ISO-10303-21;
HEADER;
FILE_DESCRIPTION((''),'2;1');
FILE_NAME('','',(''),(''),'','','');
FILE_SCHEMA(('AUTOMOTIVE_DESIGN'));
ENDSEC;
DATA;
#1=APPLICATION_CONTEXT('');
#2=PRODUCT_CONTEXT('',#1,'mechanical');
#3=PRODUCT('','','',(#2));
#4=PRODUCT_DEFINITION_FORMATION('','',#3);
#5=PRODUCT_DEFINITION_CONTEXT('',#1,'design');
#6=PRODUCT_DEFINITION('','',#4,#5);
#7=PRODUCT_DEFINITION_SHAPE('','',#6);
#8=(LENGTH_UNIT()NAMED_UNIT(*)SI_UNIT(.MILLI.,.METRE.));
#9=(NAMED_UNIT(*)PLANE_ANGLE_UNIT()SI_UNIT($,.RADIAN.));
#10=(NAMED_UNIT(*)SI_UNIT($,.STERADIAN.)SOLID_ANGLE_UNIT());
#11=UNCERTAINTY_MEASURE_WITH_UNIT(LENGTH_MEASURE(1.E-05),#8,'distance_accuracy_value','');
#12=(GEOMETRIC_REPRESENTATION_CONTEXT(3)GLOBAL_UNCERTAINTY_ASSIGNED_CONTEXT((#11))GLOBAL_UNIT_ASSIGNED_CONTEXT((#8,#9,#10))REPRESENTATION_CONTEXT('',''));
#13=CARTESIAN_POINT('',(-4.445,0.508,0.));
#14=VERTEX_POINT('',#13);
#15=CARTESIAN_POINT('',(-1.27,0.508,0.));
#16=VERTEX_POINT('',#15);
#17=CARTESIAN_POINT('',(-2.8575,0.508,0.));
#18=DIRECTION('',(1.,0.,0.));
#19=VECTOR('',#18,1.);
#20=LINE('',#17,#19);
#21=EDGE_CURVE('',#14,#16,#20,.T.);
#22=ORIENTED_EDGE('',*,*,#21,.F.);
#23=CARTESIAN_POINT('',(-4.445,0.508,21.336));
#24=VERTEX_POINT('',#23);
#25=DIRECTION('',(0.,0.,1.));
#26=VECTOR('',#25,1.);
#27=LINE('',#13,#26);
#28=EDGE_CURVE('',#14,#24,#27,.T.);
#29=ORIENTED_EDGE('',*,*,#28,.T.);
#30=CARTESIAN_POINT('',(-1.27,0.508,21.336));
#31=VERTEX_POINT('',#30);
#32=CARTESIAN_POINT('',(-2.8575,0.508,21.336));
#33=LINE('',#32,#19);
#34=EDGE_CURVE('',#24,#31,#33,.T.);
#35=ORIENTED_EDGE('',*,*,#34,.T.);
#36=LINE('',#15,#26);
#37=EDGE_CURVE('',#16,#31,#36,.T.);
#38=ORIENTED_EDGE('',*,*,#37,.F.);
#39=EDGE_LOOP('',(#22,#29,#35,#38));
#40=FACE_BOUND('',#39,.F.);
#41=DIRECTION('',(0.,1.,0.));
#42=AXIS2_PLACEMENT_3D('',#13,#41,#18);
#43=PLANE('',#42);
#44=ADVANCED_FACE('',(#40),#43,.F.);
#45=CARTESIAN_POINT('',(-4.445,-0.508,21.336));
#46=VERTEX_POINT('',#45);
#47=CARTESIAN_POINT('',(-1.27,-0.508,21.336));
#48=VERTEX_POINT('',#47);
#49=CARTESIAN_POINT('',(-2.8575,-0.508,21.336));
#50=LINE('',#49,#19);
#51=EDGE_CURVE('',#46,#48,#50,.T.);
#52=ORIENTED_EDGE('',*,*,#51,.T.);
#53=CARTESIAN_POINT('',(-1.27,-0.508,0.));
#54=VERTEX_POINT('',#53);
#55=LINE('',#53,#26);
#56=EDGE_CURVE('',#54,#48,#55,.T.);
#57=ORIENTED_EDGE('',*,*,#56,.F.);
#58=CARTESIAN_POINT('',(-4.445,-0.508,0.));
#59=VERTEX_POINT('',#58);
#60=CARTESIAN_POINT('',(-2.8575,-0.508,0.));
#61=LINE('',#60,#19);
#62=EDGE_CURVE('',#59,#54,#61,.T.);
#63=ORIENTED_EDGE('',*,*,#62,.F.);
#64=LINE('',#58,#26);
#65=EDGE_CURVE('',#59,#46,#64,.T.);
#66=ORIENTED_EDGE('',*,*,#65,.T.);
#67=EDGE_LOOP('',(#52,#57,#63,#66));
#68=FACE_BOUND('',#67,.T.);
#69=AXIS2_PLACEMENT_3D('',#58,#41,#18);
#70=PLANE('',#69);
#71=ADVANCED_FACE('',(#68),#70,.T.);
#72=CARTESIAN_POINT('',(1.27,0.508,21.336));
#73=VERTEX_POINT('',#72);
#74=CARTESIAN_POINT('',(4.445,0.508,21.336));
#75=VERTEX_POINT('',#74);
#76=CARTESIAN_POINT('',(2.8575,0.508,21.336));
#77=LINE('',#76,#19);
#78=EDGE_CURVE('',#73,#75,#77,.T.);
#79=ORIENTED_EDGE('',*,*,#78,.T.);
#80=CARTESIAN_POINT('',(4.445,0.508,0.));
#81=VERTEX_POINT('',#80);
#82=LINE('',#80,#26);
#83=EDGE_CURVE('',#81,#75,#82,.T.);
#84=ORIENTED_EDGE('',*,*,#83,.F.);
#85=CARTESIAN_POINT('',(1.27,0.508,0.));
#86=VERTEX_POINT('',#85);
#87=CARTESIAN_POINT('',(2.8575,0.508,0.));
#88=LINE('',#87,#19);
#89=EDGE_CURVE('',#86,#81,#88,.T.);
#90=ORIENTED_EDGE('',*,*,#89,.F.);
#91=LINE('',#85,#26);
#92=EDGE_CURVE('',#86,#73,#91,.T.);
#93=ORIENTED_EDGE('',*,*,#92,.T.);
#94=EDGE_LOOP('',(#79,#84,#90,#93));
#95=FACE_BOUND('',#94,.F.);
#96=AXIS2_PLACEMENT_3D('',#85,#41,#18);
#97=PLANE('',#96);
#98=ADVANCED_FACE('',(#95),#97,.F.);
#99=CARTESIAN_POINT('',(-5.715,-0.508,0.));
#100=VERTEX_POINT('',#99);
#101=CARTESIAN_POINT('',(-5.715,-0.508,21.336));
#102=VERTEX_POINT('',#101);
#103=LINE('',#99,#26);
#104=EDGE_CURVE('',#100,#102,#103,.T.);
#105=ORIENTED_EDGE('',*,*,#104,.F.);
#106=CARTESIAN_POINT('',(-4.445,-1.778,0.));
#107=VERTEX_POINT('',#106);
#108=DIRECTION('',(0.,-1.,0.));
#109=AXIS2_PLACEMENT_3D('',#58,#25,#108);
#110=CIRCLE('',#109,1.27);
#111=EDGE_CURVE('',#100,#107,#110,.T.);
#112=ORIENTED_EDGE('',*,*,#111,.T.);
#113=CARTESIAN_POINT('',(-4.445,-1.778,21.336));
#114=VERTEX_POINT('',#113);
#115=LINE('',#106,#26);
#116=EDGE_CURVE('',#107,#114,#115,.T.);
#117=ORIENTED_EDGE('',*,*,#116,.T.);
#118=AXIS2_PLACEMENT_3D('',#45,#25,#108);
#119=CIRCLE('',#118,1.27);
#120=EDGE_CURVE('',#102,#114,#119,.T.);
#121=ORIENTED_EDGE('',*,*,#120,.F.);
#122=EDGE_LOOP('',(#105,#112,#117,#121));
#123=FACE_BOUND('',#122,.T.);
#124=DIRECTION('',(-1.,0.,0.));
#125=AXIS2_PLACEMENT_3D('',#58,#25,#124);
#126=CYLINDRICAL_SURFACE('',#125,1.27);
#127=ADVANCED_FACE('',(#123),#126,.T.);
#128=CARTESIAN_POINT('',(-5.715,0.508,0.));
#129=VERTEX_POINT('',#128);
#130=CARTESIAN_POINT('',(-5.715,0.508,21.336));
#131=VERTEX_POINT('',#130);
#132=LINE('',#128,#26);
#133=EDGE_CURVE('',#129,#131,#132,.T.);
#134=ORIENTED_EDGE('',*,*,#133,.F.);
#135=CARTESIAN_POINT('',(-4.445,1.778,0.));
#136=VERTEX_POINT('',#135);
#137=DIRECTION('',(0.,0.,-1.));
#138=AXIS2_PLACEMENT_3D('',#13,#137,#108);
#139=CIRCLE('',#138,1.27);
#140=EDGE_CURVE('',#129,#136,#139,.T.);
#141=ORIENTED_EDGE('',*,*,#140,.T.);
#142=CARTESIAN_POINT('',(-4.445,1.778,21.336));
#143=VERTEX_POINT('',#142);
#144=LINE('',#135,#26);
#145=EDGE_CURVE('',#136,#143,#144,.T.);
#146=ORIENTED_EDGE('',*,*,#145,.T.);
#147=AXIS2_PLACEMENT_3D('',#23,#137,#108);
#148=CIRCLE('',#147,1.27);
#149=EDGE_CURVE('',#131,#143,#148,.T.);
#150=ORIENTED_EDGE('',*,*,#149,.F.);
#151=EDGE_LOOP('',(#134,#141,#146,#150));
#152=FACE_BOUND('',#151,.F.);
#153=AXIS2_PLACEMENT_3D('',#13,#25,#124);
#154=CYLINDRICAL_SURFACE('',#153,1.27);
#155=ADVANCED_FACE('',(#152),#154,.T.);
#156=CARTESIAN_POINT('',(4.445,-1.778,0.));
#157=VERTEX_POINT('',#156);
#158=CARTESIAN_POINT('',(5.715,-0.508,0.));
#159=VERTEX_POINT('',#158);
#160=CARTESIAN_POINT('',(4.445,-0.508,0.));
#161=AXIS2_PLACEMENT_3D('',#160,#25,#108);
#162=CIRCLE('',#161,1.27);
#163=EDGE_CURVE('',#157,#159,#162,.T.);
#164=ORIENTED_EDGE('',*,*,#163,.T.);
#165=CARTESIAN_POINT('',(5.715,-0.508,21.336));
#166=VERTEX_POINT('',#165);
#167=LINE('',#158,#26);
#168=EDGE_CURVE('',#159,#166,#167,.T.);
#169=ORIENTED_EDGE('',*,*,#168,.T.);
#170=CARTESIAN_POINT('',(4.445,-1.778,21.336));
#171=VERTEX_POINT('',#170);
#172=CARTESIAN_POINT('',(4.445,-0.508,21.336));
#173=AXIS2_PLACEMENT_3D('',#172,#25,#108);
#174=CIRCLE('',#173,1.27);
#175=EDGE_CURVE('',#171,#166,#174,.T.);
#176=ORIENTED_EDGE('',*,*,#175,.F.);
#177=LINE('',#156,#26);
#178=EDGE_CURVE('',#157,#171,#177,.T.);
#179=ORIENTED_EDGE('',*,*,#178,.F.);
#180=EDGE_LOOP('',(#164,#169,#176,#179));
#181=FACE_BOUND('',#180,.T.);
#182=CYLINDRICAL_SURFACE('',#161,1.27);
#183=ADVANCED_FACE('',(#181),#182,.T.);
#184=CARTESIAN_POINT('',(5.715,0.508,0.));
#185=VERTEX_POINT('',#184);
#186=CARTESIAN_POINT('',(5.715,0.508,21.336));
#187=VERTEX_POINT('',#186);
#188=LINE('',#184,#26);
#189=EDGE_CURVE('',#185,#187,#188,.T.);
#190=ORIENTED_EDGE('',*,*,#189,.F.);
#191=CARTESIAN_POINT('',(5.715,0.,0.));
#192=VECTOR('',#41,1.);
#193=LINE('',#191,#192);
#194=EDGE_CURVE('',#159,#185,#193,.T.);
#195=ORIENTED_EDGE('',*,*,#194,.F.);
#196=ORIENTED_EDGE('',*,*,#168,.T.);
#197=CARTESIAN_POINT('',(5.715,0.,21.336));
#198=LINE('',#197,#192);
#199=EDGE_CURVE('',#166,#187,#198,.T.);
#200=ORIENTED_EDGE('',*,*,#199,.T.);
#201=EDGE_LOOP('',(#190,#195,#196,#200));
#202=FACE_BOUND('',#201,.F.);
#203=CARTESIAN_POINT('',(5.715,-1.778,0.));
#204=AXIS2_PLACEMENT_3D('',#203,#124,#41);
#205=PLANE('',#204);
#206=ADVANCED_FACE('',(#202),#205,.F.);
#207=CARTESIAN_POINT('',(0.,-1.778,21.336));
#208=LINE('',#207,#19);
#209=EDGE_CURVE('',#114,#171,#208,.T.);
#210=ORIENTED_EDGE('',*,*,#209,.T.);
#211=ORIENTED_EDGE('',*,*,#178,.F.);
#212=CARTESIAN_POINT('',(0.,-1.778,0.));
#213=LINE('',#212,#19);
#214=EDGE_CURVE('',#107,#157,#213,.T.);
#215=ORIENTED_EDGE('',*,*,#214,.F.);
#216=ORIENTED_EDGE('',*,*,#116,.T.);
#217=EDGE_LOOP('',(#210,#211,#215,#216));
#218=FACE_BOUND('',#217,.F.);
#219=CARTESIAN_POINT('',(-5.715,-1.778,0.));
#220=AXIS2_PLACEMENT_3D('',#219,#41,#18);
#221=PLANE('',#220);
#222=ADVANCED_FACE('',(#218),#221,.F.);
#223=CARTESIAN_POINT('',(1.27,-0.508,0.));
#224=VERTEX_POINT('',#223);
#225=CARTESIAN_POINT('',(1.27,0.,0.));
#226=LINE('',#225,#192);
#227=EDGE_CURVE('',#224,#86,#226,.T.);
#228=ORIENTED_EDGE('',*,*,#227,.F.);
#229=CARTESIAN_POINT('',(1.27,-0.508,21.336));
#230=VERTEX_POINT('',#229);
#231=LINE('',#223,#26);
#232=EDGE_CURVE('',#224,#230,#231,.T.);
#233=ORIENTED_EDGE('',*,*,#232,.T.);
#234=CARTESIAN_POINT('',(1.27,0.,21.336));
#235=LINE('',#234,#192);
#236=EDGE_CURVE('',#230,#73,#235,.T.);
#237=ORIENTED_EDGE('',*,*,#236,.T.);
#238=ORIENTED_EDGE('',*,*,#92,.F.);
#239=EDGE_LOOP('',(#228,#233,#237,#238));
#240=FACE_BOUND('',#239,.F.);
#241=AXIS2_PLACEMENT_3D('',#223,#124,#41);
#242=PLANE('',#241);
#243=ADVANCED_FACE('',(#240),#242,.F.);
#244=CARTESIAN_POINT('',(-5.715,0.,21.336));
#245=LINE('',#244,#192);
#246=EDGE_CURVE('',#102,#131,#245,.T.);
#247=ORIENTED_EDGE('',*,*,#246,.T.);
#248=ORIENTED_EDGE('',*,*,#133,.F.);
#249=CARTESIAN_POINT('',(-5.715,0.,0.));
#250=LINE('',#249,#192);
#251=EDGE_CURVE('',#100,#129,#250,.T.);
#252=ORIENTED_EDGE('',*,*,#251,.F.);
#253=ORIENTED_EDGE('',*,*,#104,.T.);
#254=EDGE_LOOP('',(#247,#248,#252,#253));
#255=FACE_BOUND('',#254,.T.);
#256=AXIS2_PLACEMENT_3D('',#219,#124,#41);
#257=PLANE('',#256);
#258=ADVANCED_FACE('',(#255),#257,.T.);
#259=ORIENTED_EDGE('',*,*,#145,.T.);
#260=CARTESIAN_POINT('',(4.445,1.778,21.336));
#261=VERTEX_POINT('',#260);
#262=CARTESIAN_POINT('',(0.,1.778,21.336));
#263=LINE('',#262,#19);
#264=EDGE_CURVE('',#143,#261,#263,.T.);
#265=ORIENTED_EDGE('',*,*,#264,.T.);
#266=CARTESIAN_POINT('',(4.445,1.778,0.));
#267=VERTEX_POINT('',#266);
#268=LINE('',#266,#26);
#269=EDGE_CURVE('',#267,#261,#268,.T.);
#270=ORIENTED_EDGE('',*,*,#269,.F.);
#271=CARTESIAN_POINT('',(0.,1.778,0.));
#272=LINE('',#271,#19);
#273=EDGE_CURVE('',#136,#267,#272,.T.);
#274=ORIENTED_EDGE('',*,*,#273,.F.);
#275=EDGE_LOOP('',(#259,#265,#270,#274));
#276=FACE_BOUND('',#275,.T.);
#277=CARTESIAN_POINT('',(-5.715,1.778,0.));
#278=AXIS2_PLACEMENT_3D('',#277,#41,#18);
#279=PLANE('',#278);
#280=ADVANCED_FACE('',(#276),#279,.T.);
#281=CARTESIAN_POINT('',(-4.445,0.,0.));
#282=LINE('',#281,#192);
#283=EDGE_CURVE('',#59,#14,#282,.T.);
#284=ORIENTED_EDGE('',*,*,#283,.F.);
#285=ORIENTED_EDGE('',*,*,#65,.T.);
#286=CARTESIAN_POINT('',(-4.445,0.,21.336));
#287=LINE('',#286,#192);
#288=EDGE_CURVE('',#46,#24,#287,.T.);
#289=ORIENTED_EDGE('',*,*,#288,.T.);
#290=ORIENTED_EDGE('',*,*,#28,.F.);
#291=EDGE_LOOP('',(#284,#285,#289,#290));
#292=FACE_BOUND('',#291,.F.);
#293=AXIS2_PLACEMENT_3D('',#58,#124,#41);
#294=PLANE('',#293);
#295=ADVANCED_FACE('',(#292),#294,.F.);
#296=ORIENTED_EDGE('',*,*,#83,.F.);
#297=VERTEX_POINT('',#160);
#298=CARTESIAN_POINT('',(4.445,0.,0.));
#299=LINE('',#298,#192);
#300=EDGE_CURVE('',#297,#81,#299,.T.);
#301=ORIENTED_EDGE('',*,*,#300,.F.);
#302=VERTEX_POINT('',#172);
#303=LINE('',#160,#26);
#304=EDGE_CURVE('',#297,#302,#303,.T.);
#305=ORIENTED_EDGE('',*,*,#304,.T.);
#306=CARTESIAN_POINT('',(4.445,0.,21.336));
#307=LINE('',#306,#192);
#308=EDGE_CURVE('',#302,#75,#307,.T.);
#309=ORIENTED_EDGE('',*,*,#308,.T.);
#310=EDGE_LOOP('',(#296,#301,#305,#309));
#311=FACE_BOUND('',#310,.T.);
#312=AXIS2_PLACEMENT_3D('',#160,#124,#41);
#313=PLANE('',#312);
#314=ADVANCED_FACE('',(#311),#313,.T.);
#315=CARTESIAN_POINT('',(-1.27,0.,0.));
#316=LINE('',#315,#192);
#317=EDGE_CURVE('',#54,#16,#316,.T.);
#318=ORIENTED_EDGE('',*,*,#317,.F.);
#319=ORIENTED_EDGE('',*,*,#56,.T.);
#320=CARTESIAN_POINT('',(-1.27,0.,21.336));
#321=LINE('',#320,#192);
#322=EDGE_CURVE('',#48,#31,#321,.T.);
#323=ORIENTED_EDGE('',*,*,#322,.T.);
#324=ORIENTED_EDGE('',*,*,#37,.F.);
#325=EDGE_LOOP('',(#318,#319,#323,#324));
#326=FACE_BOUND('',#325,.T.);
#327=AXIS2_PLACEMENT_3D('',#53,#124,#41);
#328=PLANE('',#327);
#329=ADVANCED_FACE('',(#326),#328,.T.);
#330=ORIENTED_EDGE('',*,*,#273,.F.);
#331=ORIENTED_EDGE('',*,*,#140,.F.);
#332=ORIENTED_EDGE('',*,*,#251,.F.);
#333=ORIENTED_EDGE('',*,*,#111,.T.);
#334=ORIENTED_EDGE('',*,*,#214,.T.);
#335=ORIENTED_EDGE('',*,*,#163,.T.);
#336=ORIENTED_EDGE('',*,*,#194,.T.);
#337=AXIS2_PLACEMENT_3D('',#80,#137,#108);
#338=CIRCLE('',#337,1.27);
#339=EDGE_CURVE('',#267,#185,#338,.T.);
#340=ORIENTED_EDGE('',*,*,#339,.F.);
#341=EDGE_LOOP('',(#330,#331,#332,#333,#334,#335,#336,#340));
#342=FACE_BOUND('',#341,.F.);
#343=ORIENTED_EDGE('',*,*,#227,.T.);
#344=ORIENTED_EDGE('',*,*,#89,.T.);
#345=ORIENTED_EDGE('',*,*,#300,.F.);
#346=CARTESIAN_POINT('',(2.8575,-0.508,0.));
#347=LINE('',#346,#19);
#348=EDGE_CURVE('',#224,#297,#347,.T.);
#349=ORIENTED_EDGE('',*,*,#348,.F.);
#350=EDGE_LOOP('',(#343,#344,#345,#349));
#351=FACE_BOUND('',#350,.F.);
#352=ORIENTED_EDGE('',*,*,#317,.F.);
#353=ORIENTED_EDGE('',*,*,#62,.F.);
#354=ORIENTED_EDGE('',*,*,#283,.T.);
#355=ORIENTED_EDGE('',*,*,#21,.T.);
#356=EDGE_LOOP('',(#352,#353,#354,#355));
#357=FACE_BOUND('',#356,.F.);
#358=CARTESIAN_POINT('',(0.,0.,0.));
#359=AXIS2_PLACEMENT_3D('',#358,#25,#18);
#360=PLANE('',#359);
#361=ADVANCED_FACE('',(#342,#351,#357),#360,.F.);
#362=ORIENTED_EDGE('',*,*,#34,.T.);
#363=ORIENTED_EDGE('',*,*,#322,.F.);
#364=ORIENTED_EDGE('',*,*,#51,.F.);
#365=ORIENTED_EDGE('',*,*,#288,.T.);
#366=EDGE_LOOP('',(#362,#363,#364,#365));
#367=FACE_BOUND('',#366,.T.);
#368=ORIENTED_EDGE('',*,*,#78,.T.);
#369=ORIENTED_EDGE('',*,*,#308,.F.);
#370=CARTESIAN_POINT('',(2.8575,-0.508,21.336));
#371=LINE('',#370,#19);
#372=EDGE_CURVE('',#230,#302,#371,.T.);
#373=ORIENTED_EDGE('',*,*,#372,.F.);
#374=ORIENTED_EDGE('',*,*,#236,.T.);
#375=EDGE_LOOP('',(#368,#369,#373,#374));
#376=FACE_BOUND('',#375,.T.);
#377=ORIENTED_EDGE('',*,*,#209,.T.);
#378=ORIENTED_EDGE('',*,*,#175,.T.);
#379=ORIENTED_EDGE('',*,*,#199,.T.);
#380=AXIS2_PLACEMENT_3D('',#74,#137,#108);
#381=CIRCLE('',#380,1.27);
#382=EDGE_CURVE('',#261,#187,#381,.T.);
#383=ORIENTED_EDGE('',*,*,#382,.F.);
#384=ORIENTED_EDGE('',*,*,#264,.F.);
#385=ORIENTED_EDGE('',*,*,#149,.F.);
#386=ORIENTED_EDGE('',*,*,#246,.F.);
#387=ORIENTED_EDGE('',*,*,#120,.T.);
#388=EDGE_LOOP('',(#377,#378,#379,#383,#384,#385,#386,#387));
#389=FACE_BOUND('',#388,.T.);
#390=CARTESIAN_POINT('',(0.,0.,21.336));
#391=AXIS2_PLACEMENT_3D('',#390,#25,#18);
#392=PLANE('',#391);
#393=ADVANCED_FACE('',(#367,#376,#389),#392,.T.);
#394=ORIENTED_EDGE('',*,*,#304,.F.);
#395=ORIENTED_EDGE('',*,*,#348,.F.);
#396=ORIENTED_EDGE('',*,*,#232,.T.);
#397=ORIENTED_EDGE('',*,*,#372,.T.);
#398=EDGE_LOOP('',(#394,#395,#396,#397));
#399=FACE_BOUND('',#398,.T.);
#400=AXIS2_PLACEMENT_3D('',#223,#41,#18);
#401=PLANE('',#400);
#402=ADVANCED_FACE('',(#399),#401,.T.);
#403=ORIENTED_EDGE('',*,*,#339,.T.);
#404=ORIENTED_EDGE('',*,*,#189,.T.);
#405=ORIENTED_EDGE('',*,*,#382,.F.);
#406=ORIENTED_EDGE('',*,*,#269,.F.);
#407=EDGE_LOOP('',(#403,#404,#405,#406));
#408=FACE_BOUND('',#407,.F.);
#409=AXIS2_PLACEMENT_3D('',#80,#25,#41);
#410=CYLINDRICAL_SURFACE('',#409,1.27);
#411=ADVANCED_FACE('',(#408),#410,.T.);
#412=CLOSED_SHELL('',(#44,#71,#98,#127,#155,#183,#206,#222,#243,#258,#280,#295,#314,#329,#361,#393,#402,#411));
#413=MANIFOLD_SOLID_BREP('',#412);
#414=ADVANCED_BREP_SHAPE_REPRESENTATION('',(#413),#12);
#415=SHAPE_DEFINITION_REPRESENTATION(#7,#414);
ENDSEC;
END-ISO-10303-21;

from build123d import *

# Parameters (mm, degrees)
F0_W     = 11.43
F0_H     = 3.556
F0_W_2   = 3.175
F0_H_2   = 1.016
F1_DEPTH = 21.336
F2_R     = 1.27


with BuildPart() as f1:
    # F0 (on Top) → F1 (new body)
    with BuildSketch(Plane.XY):
        Rectangle(F0_W, F0_H)
        with Locations((-2.8575, 0)):
            Rectangle(F0_W_2, F0_H_2, mode=Mode.SUBTRACT)
        with Locations((2.8575, 0)):
            Rectangle(F0_W_2, F0_H_2, mode=Mode.SUBTRACT)
    extrude(amount=F1_DEPTH)

    # F2
    f2_edges = [f1.edges().sort_by_distance(p)[0] for p in [
        (-5.715, -1.778, 10.668),
        (-5.715, 1.778, 10.668),
        (5.715, -1.778, 10.668),
        (5.715, 1.778, 10.668),
    ]]
    fillet(f2_edges, radius=F2_R)


solid = f1.part
